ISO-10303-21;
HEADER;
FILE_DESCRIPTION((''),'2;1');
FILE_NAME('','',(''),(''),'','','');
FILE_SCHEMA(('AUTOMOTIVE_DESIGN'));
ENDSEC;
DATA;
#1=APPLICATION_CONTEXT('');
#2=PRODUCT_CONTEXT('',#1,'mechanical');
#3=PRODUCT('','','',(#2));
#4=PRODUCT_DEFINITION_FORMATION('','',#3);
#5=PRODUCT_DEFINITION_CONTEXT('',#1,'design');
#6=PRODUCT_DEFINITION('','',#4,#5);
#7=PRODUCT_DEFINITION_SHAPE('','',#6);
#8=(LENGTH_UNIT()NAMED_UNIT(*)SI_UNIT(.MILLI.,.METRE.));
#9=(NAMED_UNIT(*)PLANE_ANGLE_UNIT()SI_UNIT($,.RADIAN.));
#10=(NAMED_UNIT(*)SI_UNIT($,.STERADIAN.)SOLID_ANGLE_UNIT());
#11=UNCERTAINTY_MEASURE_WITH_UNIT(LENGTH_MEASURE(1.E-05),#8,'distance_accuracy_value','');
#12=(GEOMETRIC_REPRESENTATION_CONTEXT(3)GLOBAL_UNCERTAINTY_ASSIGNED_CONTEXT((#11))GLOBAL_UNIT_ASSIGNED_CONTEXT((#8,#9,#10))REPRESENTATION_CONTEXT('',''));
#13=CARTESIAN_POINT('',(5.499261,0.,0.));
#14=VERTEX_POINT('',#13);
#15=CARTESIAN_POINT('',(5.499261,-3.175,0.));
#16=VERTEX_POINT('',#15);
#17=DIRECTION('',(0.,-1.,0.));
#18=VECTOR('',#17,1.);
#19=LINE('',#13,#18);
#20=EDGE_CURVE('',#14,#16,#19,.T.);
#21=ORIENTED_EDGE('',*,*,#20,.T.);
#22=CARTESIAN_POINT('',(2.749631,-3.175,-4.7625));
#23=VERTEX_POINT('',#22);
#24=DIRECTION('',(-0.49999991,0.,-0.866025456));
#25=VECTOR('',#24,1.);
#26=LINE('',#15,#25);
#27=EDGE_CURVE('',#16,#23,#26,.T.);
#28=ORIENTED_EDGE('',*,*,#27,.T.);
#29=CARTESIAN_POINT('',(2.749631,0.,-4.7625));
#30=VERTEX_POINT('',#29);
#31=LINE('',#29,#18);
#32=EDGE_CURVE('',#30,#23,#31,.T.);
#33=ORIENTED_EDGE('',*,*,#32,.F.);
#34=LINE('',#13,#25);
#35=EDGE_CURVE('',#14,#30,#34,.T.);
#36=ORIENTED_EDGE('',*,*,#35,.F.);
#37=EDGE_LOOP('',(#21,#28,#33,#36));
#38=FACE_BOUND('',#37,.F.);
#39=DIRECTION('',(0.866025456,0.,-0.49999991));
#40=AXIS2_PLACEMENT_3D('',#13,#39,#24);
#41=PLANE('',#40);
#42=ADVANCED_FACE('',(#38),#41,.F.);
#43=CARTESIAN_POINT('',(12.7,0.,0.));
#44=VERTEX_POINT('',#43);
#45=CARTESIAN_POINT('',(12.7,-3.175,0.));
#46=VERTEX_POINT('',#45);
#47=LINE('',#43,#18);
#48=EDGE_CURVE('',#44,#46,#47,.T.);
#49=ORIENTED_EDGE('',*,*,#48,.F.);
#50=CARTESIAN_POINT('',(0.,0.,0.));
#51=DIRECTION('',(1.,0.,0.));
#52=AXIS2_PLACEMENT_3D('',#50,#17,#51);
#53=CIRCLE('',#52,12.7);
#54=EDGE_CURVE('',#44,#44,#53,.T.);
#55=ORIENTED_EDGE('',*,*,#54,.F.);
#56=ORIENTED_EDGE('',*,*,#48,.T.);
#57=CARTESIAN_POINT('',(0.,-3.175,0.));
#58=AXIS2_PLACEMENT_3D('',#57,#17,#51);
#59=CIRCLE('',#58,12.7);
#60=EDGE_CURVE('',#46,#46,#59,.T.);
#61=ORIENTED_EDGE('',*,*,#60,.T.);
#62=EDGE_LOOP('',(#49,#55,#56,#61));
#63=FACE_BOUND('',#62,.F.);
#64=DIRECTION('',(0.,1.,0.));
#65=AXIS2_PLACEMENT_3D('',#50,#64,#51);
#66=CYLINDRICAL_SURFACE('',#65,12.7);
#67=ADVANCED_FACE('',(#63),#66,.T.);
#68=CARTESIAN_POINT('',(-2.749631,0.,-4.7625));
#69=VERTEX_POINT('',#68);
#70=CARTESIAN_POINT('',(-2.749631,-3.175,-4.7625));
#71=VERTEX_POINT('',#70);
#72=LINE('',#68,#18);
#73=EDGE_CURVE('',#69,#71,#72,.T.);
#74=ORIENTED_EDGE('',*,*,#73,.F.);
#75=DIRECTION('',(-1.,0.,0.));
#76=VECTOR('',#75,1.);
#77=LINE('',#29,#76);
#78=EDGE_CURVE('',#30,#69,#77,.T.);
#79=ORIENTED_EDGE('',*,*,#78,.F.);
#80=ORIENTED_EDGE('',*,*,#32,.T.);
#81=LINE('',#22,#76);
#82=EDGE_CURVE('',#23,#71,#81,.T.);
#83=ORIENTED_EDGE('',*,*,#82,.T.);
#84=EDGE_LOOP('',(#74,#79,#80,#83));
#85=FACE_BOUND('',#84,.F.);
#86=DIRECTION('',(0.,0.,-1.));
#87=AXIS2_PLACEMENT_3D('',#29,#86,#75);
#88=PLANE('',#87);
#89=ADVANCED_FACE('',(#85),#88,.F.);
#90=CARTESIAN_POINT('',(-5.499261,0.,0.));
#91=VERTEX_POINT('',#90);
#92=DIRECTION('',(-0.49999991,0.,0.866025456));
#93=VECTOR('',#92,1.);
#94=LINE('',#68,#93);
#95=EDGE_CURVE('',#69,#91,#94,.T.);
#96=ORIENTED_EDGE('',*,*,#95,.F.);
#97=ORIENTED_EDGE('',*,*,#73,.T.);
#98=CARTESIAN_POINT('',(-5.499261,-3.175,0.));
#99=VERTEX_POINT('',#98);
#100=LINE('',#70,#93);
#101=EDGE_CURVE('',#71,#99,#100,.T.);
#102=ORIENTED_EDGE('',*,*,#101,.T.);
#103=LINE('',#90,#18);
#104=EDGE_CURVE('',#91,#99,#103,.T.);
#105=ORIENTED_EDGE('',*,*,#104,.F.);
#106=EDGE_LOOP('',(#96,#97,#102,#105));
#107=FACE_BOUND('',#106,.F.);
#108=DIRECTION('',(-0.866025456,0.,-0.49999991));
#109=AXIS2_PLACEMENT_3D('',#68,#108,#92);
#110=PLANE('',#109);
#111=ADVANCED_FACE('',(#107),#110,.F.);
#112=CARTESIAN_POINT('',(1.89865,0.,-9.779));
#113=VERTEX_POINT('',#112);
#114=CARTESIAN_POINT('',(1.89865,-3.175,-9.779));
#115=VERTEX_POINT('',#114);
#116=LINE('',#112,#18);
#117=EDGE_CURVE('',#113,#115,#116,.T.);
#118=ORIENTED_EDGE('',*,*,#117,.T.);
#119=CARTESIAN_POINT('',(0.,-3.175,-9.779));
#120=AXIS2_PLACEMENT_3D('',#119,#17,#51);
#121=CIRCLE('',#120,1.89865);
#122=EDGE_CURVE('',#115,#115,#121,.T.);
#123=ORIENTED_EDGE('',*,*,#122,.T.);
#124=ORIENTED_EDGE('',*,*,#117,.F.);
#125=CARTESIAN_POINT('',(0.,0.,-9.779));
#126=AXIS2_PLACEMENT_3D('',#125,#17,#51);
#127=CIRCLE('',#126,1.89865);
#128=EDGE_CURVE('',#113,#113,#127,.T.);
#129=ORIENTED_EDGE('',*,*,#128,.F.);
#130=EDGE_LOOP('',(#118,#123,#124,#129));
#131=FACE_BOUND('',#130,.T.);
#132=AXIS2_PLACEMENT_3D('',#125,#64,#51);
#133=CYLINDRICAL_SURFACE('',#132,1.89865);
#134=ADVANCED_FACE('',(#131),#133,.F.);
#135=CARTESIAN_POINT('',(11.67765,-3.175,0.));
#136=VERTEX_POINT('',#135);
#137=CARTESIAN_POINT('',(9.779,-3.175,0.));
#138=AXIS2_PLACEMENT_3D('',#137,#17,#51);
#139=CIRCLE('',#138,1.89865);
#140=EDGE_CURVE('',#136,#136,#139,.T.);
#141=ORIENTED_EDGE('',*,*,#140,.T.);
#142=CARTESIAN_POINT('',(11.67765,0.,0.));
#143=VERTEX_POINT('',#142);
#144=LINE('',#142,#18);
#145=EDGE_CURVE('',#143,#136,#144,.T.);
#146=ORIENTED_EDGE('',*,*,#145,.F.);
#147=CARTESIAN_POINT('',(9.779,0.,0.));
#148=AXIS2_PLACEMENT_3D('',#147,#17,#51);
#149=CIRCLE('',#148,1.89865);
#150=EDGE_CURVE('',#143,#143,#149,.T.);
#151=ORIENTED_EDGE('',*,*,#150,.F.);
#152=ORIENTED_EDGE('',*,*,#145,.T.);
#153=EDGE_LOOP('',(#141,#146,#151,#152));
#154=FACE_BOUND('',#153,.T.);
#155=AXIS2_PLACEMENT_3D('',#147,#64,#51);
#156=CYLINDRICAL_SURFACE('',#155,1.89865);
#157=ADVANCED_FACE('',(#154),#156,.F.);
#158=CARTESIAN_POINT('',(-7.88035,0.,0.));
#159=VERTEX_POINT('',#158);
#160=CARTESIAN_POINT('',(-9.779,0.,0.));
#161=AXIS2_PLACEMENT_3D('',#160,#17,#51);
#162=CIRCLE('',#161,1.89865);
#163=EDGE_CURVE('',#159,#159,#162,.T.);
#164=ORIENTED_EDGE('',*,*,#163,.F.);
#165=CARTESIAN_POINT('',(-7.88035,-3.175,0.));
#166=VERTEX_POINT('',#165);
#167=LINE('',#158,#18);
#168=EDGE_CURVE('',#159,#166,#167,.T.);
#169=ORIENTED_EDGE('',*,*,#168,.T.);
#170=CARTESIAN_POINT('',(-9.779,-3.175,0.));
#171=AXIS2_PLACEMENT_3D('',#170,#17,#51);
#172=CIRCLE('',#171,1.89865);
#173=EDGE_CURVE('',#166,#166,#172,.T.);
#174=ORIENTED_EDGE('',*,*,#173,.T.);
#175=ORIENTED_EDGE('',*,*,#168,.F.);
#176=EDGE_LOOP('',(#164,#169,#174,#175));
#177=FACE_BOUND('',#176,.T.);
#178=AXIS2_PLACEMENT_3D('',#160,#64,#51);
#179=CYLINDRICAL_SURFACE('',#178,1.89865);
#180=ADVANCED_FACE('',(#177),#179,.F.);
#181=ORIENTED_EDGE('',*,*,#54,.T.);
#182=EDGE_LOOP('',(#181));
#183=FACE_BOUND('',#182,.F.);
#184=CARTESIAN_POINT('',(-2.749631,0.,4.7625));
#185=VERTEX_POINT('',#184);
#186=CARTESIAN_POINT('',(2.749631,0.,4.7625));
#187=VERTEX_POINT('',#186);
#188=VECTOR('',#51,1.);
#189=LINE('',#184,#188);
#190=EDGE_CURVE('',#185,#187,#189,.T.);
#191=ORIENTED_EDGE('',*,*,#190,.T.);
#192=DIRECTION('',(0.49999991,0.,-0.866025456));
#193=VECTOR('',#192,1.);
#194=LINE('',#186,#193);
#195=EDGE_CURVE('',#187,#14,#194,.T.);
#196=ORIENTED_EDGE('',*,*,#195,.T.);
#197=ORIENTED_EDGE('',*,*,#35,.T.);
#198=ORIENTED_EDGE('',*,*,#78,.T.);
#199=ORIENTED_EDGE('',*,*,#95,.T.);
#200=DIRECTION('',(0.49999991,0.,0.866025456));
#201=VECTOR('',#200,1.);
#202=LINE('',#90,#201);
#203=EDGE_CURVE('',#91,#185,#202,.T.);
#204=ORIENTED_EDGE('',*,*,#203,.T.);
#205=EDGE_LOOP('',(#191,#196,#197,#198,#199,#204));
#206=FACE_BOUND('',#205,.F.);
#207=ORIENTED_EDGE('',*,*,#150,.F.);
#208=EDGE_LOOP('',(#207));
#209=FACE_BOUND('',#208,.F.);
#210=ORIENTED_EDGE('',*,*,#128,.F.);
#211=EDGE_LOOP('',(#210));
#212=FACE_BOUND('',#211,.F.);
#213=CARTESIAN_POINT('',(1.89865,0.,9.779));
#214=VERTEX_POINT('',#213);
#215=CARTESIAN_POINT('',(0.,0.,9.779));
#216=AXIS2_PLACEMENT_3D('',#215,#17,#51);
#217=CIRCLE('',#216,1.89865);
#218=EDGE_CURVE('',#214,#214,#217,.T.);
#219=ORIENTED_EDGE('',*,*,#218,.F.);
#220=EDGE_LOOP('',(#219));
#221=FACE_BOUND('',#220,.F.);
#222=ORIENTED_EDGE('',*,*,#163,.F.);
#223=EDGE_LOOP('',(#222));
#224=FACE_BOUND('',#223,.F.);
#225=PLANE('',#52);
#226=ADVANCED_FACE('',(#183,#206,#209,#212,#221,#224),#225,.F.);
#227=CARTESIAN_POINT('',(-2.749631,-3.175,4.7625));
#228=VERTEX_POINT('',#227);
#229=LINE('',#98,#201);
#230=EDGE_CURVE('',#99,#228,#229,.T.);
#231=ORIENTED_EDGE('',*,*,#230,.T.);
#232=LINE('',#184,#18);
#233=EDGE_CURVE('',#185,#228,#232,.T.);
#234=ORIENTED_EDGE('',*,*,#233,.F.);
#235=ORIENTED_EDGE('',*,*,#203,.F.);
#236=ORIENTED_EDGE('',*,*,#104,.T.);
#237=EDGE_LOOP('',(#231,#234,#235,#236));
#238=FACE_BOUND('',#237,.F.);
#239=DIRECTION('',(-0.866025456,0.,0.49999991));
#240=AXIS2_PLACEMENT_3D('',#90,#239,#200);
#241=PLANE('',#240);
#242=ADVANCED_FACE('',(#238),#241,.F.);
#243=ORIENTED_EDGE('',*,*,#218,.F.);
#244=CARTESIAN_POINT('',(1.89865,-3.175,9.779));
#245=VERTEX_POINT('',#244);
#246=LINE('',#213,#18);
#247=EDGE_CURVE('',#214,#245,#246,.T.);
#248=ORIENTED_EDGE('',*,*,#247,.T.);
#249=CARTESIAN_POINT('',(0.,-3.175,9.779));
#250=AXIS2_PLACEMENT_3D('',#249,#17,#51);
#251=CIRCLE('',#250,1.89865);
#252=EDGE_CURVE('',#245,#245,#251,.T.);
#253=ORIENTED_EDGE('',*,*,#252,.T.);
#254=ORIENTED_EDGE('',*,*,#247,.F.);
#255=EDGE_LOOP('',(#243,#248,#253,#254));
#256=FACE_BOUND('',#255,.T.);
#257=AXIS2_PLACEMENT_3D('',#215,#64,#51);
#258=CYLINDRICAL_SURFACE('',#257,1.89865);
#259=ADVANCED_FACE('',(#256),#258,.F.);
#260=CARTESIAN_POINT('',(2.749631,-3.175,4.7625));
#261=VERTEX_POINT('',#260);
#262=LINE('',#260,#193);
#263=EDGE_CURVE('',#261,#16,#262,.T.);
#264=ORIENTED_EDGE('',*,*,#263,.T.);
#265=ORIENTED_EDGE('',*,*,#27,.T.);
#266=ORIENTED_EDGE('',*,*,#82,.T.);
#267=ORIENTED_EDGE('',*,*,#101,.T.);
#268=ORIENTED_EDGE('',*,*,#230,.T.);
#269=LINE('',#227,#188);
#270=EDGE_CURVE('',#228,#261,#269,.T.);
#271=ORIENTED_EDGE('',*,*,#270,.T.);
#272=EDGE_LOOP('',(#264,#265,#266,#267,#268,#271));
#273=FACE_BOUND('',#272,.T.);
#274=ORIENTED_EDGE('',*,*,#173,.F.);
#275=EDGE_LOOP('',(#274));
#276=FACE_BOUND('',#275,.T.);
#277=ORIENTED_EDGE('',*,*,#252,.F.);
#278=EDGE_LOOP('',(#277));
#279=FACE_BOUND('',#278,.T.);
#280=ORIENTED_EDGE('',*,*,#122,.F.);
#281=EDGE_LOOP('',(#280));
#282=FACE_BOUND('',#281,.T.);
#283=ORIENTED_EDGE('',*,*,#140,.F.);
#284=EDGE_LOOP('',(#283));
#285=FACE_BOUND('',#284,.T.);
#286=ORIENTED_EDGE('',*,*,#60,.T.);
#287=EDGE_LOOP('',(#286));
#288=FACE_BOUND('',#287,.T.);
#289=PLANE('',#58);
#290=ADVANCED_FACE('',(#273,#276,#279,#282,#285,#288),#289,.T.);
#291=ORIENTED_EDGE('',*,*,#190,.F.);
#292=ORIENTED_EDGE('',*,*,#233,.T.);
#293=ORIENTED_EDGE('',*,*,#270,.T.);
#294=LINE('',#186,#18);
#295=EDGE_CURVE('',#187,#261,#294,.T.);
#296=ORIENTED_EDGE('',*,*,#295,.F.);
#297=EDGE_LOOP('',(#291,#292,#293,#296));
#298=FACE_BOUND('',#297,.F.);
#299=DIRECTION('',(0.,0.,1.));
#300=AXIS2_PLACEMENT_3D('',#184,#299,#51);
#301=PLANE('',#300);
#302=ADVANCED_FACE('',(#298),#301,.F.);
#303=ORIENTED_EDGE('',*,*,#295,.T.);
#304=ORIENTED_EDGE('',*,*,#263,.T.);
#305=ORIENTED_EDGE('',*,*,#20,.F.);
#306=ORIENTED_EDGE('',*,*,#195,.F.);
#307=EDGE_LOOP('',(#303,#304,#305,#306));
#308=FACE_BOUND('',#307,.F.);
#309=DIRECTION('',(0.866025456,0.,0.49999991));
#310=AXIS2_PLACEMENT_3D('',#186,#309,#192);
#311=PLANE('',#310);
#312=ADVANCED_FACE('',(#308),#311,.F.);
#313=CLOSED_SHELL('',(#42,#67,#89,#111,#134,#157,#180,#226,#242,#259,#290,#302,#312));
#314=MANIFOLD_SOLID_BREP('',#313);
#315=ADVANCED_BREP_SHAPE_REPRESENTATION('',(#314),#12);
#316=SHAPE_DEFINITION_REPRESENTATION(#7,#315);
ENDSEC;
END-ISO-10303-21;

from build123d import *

# Parameters (mm, degrees)
F0_R     = 12.7
F0_R_2   = 1.89865
F1_DEPTH = 3.175


with BuildPart() as f1:
    # F0 (on Front) → F1 (new body)
    with BuildSketch(Plane.XZ):
        Circle(F0_R)
        with Locations((0, -9.779)):
            Circle(F0_R_2, mode=Mode.SUBTRACT)
        with Locations((-9.779, 0)):
            Circle(F0_R_2, mode=Mode.SUBTRACT)
        Polygon((-5.499261, 0), (-2.749631, 4.7625), (2.749631, 4.7625), (5.499261, 0), (2.749631, -4.7625), (-2.749631, -4.7625), align=None, mode=Mode.SUBTRACT)
        with Locations((9.779, 0)):
            Circle(F0_R_2, mode=Mode.SUBTRACT)
        with Locations((0, 9.779)):
            Circle(F0_R_2, mode=Mode.SUBTRACT)
    extrude(amount=F1_DEPTH)


solid = f1.part
